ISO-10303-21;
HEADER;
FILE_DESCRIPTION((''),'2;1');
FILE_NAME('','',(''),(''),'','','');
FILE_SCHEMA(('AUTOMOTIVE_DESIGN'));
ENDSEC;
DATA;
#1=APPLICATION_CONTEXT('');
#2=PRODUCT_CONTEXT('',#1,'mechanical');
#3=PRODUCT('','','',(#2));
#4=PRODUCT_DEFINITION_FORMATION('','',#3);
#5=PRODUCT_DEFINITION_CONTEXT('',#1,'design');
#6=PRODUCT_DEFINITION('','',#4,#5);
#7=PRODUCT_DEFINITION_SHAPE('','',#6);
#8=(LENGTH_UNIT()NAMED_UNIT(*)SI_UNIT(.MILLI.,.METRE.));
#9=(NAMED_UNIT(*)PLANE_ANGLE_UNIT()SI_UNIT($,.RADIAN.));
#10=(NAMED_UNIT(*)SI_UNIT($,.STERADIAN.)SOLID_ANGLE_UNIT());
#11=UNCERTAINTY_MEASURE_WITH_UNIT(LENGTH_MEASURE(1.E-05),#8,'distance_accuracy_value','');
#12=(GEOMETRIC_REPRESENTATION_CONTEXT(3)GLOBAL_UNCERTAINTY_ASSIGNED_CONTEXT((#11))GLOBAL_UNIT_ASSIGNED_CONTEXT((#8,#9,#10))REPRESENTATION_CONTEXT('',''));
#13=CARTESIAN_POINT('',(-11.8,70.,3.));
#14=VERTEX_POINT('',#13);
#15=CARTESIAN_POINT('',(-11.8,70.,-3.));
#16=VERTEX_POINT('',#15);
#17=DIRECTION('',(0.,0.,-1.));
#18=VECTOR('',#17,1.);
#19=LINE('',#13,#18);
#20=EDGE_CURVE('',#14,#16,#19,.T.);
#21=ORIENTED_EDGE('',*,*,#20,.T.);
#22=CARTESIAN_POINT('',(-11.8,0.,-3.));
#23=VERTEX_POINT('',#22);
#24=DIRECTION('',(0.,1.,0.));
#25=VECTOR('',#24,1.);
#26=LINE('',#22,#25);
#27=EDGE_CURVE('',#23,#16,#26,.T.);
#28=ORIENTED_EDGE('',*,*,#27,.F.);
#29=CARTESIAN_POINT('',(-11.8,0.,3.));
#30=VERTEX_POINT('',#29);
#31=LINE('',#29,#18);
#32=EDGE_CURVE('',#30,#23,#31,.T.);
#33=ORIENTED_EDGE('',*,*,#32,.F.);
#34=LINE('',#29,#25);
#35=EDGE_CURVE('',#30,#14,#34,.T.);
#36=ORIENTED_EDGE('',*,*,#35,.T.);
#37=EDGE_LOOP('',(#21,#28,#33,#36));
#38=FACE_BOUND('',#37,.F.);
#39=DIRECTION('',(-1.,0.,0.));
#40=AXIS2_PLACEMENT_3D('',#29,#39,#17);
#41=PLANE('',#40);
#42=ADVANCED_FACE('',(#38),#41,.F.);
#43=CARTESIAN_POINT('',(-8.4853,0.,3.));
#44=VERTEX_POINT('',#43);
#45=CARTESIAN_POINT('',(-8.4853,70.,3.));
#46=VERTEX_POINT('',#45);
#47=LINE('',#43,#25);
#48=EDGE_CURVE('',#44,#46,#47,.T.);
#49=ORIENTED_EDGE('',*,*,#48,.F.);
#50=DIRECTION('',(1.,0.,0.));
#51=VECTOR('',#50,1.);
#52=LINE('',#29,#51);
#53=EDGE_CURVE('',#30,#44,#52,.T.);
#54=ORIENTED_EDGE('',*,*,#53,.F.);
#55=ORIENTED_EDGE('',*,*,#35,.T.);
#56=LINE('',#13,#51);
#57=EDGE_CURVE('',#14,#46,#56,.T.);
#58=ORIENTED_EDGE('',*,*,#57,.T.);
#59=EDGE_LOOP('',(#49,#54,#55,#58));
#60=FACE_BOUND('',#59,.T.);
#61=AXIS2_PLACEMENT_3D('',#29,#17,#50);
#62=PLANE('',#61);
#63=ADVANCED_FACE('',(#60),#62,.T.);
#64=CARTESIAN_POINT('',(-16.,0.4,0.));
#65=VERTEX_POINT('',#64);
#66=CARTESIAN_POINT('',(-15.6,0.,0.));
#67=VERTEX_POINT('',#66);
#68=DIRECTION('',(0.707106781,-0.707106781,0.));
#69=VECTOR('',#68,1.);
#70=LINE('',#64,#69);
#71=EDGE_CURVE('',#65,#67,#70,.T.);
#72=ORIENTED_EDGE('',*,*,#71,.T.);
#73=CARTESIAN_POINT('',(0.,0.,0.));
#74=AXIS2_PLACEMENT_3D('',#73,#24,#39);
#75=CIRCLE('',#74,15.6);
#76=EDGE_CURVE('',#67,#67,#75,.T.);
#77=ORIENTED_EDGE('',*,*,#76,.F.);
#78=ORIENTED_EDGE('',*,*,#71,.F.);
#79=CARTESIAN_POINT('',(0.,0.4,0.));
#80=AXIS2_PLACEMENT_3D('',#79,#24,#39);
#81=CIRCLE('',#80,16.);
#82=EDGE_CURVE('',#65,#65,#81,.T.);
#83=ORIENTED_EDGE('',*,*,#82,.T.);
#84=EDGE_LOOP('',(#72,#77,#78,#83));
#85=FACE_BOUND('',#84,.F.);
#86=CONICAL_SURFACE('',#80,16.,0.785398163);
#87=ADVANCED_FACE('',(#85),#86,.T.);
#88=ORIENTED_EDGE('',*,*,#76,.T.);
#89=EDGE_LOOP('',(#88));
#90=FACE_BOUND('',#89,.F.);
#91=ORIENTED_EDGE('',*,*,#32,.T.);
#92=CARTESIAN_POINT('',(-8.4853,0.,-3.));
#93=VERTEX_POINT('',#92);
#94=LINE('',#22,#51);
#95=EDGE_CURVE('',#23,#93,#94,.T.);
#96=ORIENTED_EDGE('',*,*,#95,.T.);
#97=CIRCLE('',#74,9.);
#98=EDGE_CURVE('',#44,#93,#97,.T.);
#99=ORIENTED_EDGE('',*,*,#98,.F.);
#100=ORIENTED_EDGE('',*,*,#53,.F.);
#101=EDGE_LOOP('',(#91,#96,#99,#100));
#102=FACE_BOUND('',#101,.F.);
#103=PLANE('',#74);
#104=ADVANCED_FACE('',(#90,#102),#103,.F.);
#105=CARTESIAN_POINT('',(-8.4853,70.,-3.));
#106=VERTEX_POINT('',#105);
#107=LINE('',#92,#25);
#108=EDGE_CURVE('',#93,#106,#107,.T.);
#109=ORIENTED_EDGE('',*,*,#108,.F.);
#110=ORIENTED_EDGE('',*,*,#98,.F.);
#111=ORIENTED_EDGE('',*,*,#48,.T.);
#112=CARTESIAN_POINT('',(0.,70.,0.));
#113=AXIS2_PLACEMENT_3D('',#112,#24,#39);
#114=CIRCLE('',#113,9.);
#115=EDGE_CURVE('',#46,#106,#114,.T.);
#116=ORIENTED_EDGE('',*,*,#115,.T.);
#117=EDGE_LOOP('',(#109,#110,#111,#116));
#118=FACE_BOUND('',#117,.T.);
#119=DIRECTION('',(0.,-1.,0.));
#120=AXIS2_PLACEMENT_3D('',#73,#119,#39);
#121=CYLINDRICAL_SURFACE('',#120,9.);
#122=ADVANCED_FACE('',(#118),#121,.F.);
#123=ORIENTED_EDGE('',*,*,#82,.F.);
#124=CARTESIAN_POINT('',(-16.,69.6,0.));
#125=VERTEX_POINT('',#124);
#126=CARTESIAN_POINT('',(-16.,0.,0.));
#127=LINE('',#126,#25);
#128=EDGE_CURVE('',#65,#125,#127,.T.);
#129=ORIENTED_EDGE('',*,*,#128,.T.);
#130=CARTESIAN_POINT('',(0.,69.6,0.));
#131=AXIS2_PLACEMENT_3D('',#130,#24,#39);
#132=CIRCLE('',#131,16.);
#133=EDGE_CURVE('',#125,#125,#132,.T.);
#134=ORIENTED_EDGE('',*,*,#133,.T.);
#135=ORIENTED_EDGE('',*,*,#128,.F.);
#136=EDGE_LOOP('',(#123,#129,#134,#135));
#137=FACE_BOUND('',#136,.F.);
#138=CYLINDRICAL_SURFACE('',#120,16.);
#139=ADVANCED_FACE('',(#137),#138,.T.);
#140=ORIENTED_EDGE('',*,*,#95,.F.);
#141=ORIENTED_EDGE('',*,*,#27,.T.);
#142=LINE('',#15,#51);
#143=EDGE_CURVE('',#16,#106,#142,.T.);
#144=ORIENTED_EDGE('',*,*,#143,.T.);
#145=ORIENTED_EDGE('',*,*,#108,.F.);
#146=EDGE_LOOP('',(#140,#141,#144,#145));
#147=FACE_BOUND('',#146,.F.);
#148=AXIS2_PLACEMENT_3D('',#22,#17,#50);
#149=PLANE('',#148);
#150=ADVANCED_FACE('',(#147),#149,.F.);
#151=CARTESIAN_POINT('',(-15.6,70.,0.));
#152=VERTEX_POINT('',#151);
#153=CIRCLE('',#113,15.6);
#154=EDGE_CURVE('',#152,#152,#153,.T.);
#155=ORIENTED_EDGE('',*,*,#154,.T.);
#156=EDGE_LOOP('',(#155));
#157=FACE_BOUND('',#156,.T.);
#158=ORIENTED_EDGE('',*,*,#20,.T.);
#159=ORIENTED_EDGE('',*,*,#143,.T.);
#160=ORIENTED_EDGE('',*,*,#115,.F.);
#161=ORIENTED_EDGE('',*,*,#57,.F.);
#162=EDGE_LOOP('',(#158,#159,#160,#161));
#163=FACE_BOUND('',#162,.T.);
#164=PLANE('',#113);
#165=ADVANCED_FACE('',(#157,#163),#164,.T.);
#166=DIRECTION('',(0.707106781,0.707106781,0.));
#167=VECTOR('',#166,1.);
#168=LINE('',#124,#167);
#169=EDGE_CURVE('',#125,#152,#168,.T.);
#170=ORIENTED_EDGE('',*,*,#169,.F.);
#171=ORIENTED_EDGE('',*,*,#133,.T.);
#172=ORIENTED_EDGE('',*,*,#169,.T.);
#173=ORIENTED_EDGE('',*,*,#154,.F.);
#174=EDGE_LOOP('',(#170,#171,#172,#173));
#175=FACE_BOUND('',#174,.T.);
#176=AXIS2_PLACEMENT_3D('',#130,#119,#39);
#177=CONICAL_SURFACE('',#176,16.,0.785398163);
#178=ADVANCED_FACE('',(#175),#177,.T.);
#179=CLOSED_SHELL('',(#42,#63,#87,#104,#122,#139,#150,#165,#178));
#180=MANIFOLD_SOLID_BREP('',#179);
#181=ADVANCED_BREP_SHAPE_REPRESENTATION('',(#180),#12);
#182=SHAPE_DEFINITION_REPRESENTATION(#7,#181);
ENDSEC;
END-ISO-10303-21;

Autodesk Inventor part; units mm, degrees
ref_plane "YZ Plane" through (0, 0, 0) normal (1, 0, 0) x (0, 1, 0)
ref_plane "XZ Plane" through (0, 0, 0) normal (0, 1, 0) x (-1, 0, 0)
ref_plane "XY Plane" through (0, 0, 0) normal (0, 0, 1) x (1, 0, 0)
sketch "Sketch1" plane through (0, 0, 0) normal (0, 1, 0) x (-1, 0, 0)
  circle A0 centre (0, 0) radius 16
  circle A1 centre (0, 0) radius 9
  line L0 (11.8, 3) -> (11.8, -3)
  line L1 (11.8, 3) -> (8.4853, 3)
  line L2 (11.8, -3) -> (8.4853, -3)
  dimension "d0" = 32
  dimension "d1" = 18
  dimension "d2" = 11.8
  dimension "d3" = 6
  dimension "d4" = 3
extrude "Extrusion1" add sketch "Sketch1" along normal blind 70
chamfer "Chamfer1" distance 0.4 angle 45 2 edges at (16, 70, 0) (16, 0, 0)
properties part number "outputshaft nmrv-40"
